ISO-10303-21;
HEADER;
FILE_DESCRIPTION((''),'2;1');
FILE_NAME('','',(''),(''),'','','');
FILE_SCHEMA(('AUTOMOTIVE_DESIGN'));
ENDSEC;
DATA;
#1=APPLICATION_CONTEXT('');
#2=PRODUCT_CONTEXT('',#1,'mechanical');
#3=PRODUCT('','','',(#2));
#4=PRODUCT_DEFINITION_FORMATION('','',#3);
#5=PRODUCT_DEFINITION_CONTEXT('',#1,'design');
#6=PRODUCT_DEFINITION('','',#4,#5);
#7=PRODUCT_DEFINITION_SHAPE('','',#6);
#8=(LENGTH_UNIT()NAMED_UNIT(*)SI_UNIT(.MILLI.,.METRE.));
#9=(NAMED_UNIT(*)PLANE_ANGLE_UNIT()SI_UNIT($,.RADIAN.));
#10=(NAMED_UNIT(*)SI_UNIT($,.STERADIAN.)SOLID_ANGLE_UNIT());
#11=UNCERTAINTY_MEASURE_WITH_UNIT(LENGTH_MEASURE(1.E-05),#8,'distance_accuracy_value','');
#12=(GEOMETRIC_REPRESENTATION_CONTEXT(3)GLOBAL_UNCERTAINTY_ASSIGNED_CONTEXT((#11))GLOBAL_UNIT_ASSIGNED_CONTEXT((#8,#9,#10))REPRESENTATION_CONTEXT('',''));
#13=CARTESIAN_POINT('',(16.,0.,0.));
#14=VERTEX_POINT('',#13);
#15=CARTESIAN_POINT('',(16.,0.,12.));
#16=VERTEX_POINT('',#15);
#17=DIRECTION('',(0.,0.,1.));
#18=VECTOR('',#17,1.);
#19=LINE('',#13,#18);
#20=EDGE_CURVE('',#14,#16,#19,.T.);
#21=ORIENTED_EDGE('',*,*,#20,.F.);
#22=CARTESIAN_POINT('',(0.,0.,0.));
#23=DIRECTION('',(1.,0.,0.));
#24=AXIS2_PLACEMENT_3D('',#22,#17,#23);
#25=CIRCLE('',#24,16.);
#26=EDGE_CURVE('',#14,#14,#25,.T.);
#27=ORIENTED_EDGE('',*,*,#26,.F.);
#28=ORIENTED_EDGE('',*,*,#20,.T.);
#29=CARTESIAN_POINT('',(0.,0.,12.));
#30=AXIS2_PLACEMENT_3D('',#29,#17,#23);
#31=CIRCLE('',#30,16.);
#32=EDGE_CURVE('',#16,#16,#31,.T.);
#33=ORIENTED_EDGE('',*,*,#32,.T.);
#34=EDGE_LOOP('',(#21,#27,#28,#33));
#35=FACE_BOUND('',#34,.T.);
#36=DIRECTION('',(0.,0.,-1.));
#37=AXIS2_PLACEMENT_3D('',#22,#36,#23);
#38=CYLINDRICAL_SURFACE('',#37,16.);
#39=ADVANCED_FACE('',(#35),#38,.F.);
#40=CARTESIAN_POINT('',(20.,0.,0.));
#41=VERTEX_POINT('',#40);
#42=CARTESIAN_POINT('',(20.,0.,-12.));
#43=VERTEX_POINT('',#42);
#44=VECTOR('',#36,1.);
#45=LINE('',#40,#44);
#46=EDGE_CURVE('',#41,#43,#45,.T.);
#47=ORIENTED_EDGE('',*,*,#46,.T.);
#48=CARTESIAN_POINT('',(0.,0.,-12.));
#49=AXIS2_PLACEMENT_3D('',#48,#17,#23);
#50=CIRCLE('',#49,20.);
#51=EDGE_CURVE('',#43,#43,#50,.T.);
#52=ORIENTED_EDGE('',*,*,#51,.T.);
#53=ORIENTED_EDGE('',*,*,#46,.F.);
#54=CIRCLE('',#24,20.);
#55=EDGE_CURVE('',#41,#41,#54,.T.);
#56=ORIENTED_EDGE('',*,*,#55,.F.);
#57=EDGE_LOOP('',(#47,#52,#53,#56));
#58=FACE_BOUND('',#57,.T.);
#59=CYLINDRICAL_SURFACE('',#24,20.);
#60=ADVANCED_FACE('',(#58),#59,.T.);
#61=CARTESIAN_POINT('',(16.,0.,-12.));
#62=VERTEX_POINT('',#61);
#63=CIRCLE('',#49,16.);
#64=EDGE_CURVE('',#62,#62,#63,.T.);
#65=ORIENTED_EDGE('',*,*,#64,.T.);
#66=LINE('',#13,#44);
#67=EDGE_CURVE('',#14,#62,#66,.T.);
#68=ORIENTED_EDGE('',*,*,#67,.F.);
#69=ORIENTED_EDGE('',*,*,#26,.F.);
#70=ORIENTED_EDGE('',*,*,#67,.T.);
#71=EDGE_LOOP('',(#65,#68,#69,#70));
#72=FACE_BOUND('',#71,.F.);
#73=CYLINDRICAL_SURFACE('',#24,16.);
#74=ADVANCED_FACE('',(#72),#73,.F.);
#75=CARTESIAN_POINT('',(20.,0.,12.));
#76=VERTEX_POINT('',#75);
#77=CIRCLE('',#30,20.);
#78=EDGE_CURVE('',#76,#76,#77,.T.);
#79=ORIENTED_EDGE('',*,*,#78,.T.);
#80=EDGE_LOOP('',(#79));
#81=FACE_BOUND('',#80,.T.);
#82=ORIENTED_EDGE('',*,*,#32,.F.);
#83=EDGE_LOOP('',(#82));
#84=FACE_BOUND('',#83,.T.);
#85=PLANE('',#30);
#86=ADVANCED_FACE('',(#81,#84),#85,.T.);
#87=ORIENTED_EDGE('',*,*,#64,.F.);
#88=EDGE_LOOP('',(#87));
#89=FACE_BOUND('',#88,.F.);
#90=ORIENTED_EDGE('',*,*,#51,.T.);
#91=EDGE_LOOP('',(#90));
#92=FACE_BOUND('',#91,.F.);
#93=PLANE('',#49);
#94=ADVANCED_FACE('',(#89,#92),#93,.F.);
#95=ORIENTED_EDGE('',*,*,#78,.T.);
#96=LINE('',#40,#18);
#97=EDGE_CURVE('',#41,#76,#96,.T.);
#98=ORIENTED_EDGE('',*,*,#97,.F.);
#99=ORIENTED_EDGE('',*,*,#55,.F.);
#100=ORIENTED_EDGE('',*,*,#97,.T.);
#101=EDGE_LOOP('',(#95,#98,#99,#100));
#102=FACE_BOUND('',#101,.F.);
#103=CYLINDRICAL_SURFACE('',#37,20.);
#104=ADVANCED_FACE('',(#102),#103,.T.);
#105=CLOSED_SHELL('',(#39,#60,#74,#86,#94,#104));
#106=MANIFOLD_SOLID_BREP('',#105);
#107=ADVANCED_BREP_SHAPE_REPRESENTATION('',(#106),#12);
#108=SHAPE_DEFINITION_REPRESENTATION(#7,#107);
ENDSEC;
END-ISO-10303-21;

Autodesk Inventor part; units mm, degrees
ref_plane "YZ Plane" through (0, 0, 0) normal (1, 0, 0) x (0, 1, 0)
ref_plane "XZ Plane" through (0, 0, 0) normal (0, 1, 0) x (-1, 0, 0)
ref_plane "XY Plane" through (0, 0, 0) normal (0, 0, 1) x (1, 0, 0)
sketch "스케치9" plane through (0, 0, 0) normal (0, 0, 1) x (1, 0, 0)
  circle A0 centre (0, 0) radius 20
  circle A1 centre (0, 0) radius 16
  dimension "d40" = 40
  dimension "d41" = 32
extrude "돌출4" add sketch "스케치9" along normal mid plane 24
properties part number "TL20240901-10320CV-009" material "S45C"
